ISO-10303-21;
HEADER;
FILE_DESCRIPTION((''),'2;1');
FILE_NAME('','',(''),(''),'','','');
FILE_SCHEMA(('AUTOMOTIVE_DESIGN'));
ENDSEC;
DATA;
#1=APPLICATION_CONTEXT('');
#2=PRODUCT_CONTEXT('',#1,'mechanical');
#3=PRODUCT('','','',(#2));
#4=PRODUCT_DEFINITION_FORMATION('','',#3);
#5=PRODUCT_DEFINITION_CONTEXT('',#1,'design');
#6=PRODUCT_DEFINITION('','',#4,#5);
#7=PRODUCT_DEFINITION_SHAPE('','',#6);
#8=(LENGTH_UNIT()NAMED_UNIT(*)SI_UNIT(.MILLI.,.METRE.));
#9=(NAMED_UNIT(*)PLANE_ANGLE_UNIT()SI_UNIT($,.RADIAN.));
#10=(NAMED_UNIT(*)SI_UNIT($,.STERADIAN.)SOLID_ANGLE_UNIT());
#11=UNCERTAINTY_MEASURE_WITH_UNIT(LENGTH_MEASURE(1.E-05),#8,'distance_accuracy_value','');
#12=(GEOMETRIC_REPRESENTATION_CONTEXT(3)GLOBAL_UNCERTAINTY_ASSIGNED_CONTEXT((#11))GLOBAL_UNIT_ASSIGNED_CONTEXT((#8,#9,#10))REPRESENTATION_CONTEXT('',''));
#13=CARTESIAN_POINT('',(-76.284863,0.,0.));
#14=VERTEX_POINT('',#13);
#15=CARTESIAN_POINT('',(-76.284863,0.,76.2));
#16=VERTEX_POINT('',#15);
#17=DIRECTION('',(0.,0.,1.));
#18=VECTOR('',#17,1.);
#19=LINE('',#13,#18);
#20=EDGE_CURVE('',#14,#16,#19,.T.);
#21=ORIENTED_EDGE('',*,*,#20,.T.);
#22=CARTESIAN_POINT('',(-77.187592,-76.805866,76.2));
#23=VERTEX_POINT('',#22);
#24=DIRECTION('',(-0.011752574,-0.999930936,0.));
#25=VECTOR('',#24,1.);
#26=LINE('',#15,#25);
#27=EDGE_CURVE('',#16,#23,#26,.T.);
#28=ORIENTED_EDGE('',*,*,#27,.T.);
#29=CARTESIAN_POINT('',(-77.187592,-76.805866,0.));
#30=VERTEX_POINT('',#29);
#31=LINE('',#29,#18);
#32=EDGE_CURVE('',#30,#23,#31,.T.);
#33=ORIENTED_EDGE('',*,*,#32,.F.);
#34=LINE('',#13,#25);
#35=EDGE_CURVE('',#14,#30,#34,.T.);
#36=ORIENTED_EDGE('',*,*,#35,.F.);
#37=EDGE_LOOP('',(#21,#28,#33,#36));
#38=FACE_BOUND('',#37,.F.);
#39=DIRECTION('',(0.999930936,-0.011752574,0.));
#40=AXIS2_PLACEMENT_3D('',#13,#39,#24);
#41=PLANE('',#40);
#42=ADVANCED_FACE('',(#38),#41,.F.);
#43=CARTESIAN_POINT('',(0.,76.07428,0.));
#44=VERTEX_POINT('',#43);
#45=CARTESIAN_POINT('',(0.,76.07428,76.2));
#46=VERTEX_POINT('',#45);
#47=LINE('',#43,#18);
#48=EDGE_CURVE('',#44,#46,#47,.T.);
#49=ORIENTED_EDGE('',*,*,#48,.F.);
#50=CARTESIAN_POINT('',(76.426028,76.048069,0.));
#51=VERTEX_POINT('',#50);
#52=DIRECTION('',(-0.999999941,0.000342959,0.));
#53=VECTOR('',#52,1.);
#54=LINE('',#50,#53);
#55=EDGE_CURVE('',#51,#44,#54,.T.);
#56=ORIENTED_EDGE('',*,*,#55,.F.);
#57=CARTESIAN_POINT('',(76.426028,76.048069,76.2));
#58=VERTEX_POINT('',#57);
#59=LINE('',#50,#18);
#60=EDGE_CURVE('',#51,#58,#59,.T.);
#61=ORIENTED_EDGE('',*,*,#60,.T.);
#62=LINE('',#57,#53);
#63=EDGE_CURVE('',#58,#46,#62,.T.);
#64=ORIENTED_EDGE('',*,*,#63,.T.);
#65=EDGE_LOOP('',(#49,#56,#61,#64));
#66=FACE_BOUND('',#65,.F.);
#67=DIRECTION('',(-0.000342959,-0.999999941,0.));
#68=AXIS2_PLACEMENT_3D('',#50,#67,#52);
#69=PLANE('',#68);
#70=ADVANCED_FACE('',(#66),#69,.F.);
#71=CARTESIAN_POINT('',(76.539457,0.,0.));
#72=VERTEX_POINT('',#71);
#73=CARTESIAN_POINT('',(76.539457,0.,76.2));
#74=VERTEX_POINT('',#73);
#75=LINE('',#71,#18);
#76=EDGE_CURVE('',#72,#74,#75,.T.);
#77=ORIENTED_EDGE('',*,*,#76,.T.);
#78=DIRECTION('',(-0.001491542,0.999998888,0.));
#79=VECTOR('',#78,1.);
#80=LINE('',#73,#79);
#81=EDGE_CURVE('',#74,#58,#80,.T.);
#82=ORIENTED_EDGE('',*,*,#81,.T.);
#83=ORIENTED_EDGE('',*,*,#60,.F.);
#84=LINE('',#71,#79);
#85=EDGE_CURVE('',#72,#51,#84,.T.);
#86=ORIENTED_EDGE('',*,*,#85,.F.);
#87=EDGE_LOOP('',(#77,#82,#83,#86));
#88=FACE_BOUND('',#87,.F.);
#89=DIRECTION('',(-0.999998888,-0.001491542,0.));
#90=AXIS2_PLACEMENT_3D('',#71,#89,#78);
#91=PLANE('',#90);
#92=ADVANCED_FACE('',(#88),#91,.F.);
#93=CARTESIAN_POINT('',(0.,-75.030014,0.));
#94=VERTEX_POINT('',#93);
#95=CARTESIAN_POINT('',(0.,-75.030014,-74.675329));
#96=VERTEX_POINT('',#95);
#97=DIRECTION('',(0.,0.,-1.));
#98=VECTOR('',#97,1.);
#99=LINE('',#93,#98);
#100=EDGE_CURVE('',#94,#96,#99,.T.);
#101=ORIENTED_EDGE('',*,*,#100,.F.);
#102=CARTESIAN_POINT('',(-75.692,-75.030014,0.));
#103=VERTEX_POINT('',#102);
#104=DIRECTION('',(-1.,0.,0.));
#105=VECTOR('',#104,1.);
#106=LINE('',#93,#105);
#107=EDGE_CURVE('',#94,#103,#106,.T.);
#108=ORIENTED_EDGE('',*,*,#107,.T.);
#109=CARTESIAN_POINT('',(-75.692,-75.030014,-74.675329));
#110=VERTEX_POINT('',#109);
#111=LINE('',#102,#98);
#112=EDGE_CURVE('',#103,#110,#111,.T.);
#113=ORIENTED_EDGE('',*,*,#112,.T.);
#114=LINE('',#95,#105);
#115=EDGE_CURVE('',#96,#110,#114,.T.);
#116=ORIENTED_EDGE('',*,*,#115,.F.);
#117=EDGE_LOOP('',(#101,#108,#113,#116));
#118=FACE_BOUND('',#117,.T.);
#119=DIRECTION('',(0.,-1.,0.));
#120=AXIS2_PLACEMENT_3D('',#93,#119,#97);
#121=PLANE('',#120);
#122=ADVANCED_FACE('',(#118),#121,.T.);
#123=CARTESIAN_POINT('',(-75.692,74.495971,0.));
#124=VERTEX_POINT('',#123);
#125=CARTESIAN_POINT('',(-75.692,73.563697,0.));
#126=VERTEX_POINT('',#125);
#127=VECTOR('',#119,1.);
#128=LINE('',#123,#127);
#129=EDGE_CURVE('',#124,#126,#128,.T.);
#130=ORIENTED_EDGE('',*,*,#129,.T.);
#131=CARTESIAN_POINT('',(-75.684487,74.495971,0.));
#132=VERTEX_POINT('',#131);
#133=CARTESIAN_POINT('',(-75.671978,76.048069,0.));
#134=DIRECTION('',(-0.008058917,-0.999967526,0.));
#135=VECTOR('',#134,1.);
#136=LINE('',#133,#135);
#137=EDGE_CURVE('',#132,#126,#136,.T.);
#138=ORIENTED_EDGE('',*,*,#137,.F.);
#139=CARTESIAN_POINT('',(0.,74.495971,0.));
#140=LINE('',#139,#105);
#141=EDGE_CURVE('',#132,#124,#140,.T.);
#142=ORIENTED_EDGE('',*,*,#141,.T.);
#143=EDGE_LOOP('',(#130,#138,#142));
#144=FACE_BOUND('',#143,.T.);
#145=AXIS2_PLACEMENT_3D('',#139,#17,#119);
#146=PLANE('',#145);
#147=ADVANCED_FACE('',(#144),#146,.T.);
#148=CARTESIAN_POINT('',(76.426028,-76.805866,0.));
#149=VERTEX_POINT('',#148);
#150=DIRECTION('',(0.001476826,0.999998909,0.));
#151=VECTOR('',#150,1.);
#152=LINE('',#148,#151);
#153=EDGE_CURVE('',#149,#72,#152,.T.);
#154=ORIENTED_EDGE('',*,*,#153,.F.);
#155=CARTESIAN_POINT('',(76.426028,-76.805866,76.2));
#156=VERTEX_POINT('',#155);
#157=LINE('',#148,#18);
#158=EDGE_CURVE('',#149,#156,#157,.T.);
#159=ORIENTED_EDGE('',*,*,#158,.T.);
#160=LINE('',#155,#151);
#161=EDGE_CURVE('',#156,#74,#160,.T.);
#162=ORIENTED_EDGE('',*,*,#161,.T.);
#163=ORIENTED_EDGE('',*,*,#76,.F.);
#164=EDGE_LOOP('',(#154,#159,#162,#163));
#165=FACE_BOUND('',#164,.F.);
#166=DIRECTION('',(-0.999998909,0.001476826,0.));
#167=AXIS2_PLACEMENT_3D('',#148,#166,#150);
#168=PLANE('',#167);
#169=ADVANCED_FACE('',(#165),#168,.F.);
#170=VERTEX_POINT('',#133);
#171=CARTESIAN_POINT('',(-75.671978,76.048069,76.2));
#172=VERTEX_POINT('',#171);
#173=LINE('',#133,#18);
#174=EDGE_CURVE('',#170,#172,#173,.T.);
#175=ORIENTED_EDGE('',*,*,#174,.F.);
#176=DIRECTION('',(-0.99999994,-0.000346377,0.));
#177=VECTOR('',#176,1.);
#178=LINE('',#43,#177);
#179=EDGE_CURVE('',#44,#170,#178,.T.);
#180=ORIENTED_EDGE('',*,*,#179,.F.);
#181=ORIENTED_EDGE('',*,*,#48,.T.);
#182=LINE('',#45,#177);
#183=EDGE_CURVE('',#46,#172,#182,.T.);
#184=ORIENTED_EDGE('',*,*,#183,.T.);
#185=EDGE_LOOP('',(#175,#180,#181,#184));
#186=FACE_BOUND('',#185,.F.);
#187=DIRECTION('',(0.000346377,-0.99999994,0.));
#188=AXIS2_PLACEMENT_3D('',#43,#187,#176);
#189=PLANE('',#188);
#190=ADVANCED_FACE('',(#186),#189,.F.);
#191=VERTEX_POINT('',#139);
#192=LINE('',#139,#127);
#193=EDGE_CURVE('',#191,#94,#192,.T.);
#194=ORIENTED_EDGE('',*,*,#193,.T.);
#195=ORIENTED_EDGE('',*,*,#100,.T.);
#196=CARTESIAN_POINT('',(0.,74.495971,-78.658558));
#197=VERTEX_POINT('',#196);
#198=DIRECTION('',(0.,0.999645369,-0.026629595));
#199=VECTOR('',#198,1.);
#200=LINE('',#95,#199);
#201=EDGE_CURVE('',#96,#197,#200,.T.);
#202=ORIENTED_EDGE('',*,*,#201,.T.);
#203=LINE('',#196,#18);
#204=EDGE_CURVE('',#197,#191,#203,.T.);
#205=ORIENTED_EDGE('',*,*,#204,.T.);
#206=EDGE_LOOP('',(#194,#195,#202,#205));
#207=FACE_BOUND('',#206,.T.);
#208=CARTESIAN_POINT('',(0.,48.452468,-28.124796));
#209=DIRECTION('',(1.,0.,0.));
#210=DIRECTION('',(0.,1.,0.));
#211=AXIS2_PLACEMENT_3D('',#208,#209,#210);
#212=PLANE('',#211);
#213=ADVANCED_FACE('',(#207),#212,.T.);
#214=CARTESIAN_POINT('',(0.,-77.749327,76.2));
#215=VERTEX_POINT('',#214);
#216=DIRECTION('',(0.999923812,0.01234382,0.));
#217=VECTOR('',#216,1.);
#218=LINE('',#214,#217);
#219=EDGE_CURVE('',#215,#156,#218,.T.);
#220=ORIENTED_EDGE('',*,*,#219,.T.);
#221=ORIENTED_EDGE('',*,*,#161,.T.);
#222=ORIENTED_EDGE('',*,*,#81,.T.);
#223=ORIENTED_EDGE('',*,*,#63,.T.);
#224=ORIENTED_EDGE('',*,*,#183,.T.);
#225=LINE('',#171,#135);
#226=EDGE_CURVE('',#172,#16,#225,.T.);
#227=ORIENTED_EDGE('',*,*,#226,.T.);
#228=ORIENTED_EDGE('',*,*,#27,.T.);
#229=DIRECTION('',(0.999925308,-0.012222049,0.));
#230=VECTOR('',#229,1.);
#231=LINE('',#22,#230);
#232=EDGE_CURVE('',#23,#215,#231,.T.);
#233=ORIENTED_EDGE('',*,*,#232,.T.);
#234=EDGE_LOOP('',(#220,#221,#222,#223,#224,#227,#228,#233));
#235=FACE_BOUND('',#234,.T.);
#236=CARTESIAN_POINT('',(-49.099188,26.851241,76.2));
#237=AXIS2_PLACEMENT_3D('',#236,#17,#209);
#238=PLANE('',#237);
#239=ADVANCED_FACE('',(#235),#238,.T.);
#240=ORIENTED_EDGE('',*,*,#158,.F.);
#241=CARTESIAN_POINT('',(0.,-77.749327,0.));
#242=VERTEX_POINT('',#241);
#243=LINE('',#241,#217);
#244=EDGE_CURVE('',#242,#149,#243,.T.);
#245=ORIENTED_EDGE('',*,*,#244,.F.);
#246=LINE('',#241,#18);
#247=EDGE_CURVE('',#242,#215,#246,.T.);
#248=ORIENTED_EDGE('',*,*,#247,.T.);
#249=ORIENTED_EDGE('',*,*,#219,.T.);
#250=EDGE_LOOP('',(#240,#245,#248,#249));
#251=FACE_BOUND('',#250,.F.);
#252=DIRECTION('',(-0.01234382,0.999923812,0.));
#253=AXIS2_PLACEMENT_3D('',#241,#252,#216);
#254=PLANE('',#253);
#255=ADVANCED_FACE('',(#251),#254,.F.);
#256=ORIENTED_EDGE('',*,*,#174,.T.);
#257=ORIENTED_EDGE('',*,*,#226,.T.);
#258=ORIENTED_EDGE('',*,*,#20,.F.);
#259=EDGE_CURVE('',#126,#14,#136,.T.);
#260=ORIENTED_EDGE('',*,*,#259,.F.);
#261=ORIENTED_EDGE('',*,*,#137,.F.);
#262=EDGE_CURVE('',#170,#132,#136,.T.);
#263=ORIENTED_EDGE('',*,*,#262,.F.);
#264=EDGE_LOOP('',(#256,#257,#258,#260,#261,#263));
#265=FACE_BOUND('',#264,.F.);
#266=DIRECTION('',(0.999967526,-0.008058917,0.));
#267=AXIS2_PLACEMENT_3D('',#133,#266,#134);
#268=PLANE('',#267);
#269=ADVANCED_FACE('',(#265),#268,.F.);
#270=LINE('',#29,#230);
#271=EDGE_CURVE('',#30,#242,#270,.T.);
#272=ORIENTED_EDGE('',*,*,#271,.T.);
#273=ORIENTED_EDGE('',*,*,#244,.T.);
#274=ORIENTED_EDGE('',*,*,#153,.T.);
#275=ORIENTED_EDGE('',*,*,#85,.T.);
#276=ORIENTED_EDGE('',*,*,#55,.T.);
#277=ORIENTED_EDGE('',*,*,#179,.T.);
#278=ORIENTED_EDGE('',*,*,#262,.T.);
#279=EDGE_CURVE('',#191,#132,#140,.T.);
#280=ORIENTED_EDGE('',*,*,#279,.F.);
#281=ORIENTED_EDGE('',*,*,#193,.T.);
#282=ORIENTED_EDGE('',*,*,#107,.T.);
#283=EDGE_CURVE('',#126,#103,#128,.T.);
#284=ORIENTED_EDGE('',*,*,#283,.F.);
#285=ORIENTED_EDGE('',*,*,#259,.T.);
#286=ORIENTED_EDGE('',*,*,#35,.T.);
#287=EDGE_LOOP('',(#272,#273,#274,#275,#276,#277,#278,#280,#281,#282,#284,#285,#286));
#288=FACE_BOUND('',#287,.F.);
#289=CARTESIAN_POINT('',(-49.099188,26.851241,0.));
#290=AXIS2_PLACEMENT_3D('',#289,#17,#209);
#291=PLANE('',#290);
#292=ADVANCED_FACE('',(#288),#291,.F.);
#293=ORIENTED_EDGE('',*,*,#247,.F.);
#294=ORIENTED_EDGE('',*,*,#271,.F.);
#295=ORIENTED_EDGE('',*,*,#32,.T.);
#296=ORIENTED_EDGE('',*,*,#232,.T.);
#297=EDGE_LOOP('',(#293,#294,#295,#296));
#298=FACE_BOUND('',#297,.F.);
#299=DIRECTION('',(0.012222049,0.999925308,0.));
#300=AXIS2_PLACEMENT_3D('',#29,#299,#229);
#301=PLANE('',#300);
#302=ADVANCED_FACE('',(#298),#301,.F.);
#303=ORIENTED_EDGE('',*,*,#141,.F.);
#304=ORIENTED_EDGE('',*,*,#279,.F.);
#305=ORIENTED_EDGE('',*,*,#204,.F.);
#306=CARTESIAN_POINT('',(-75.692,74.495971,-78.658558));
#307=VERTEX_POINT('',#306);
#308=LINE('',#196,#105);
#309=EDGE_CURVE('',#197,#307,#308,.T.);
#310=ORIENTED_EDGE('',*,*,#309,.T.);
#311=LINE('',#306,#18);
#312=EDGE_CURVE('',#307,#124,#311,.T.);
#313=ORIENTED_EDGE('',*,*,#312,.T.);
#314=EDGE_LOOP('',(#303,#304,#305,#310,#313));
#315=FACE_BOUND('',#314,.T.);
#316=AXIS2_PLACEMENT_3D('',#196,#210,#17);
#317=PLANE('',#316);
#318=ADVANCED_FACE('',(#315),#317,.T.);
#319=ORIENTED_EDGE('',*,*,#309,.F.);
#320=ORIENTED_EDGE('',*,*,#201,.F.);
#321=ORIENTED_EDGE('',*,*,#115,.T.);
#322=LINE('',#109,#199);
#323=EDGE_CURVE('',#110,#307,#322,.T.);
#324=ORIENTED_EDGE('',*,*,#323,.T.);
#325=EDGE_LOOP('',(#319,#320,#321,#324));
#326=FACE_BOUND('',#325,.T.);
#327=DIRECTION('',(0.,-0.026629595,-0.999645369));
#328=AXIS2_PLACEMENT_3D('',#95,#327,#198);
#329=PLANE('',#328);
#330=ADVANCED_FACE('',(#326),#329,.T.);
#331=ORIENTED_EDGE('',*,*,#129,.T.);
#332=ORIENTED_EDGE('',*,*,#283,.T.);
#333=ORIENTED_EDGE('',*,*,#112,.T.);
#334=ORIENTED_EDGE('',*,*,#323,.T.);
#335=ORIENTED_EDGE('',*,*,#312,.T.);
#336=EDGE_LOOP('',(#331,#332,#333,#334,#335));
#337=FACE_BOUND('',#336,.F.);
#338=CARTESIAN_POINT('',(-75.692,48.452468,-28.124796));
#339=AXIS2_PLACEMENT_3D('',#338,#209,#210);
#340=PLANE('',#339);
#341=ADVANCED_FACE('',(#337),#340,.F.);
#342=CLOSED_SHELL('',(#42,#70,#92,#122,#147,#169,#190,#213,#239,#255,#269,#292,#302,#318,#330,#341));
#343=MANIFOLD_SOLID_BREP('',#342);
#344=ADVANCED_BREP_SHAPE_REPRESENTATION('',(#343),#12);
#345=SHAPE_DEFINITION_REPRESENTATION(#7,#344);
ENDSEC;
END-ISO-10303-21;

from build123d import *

# Parameters (mm, degrees)
F1_DEPTH = 76.2
F3_DEPTH = 75.692


with BuildPart() as f1:
    # F0 (on Top) → F1 (new body)
    with BuildSketch(Plane.XY):
        Polygon((-76.284863, 0), (0, 0), (-75.671978, 76.048069), align=None)
        Polygon((-75.671978, 76.048069), (0, 0), (0, 76.07428), align=None)
        Polygon((76.539457, 0), (0, 0), (76.426028, -76.805866), align=None)
        Polygon((76.426028, -76.805866), (0, 0), (0, -77.749327), align=None)
        Polygon((-77.187592, -76.805866), (0, 0), (-76.284863, 0), align=None)
        Polygon((0, -77.749327), (0, 0), (-77.187592, -76.805866), align=None)
        Polygon((76.426028, 76.048069), (0, 0), (76.539457, 0), align=None)
        Polygon((0, 76.07428), (0, 0), (76.426028, 76.048069), align=None)
    extrude(amount=F1_DEPTH)

    # F2 (on Right) → F3 (join)
    with BuildSketch(Plane.YZ):
        Polygon((74.495971, 0), (0, 0), (74.495971, -78.658558), align=None)
        Polygon((74.495971, -78.658558), (0, 0), (-75.030014, -74.675329), align=None)
        Polygon((-75.030014, -74.675329), (0, 0), (-75.030014, 0), align=None)
    extrude(amount=-F3_DEPTH)


solid = f1.part
